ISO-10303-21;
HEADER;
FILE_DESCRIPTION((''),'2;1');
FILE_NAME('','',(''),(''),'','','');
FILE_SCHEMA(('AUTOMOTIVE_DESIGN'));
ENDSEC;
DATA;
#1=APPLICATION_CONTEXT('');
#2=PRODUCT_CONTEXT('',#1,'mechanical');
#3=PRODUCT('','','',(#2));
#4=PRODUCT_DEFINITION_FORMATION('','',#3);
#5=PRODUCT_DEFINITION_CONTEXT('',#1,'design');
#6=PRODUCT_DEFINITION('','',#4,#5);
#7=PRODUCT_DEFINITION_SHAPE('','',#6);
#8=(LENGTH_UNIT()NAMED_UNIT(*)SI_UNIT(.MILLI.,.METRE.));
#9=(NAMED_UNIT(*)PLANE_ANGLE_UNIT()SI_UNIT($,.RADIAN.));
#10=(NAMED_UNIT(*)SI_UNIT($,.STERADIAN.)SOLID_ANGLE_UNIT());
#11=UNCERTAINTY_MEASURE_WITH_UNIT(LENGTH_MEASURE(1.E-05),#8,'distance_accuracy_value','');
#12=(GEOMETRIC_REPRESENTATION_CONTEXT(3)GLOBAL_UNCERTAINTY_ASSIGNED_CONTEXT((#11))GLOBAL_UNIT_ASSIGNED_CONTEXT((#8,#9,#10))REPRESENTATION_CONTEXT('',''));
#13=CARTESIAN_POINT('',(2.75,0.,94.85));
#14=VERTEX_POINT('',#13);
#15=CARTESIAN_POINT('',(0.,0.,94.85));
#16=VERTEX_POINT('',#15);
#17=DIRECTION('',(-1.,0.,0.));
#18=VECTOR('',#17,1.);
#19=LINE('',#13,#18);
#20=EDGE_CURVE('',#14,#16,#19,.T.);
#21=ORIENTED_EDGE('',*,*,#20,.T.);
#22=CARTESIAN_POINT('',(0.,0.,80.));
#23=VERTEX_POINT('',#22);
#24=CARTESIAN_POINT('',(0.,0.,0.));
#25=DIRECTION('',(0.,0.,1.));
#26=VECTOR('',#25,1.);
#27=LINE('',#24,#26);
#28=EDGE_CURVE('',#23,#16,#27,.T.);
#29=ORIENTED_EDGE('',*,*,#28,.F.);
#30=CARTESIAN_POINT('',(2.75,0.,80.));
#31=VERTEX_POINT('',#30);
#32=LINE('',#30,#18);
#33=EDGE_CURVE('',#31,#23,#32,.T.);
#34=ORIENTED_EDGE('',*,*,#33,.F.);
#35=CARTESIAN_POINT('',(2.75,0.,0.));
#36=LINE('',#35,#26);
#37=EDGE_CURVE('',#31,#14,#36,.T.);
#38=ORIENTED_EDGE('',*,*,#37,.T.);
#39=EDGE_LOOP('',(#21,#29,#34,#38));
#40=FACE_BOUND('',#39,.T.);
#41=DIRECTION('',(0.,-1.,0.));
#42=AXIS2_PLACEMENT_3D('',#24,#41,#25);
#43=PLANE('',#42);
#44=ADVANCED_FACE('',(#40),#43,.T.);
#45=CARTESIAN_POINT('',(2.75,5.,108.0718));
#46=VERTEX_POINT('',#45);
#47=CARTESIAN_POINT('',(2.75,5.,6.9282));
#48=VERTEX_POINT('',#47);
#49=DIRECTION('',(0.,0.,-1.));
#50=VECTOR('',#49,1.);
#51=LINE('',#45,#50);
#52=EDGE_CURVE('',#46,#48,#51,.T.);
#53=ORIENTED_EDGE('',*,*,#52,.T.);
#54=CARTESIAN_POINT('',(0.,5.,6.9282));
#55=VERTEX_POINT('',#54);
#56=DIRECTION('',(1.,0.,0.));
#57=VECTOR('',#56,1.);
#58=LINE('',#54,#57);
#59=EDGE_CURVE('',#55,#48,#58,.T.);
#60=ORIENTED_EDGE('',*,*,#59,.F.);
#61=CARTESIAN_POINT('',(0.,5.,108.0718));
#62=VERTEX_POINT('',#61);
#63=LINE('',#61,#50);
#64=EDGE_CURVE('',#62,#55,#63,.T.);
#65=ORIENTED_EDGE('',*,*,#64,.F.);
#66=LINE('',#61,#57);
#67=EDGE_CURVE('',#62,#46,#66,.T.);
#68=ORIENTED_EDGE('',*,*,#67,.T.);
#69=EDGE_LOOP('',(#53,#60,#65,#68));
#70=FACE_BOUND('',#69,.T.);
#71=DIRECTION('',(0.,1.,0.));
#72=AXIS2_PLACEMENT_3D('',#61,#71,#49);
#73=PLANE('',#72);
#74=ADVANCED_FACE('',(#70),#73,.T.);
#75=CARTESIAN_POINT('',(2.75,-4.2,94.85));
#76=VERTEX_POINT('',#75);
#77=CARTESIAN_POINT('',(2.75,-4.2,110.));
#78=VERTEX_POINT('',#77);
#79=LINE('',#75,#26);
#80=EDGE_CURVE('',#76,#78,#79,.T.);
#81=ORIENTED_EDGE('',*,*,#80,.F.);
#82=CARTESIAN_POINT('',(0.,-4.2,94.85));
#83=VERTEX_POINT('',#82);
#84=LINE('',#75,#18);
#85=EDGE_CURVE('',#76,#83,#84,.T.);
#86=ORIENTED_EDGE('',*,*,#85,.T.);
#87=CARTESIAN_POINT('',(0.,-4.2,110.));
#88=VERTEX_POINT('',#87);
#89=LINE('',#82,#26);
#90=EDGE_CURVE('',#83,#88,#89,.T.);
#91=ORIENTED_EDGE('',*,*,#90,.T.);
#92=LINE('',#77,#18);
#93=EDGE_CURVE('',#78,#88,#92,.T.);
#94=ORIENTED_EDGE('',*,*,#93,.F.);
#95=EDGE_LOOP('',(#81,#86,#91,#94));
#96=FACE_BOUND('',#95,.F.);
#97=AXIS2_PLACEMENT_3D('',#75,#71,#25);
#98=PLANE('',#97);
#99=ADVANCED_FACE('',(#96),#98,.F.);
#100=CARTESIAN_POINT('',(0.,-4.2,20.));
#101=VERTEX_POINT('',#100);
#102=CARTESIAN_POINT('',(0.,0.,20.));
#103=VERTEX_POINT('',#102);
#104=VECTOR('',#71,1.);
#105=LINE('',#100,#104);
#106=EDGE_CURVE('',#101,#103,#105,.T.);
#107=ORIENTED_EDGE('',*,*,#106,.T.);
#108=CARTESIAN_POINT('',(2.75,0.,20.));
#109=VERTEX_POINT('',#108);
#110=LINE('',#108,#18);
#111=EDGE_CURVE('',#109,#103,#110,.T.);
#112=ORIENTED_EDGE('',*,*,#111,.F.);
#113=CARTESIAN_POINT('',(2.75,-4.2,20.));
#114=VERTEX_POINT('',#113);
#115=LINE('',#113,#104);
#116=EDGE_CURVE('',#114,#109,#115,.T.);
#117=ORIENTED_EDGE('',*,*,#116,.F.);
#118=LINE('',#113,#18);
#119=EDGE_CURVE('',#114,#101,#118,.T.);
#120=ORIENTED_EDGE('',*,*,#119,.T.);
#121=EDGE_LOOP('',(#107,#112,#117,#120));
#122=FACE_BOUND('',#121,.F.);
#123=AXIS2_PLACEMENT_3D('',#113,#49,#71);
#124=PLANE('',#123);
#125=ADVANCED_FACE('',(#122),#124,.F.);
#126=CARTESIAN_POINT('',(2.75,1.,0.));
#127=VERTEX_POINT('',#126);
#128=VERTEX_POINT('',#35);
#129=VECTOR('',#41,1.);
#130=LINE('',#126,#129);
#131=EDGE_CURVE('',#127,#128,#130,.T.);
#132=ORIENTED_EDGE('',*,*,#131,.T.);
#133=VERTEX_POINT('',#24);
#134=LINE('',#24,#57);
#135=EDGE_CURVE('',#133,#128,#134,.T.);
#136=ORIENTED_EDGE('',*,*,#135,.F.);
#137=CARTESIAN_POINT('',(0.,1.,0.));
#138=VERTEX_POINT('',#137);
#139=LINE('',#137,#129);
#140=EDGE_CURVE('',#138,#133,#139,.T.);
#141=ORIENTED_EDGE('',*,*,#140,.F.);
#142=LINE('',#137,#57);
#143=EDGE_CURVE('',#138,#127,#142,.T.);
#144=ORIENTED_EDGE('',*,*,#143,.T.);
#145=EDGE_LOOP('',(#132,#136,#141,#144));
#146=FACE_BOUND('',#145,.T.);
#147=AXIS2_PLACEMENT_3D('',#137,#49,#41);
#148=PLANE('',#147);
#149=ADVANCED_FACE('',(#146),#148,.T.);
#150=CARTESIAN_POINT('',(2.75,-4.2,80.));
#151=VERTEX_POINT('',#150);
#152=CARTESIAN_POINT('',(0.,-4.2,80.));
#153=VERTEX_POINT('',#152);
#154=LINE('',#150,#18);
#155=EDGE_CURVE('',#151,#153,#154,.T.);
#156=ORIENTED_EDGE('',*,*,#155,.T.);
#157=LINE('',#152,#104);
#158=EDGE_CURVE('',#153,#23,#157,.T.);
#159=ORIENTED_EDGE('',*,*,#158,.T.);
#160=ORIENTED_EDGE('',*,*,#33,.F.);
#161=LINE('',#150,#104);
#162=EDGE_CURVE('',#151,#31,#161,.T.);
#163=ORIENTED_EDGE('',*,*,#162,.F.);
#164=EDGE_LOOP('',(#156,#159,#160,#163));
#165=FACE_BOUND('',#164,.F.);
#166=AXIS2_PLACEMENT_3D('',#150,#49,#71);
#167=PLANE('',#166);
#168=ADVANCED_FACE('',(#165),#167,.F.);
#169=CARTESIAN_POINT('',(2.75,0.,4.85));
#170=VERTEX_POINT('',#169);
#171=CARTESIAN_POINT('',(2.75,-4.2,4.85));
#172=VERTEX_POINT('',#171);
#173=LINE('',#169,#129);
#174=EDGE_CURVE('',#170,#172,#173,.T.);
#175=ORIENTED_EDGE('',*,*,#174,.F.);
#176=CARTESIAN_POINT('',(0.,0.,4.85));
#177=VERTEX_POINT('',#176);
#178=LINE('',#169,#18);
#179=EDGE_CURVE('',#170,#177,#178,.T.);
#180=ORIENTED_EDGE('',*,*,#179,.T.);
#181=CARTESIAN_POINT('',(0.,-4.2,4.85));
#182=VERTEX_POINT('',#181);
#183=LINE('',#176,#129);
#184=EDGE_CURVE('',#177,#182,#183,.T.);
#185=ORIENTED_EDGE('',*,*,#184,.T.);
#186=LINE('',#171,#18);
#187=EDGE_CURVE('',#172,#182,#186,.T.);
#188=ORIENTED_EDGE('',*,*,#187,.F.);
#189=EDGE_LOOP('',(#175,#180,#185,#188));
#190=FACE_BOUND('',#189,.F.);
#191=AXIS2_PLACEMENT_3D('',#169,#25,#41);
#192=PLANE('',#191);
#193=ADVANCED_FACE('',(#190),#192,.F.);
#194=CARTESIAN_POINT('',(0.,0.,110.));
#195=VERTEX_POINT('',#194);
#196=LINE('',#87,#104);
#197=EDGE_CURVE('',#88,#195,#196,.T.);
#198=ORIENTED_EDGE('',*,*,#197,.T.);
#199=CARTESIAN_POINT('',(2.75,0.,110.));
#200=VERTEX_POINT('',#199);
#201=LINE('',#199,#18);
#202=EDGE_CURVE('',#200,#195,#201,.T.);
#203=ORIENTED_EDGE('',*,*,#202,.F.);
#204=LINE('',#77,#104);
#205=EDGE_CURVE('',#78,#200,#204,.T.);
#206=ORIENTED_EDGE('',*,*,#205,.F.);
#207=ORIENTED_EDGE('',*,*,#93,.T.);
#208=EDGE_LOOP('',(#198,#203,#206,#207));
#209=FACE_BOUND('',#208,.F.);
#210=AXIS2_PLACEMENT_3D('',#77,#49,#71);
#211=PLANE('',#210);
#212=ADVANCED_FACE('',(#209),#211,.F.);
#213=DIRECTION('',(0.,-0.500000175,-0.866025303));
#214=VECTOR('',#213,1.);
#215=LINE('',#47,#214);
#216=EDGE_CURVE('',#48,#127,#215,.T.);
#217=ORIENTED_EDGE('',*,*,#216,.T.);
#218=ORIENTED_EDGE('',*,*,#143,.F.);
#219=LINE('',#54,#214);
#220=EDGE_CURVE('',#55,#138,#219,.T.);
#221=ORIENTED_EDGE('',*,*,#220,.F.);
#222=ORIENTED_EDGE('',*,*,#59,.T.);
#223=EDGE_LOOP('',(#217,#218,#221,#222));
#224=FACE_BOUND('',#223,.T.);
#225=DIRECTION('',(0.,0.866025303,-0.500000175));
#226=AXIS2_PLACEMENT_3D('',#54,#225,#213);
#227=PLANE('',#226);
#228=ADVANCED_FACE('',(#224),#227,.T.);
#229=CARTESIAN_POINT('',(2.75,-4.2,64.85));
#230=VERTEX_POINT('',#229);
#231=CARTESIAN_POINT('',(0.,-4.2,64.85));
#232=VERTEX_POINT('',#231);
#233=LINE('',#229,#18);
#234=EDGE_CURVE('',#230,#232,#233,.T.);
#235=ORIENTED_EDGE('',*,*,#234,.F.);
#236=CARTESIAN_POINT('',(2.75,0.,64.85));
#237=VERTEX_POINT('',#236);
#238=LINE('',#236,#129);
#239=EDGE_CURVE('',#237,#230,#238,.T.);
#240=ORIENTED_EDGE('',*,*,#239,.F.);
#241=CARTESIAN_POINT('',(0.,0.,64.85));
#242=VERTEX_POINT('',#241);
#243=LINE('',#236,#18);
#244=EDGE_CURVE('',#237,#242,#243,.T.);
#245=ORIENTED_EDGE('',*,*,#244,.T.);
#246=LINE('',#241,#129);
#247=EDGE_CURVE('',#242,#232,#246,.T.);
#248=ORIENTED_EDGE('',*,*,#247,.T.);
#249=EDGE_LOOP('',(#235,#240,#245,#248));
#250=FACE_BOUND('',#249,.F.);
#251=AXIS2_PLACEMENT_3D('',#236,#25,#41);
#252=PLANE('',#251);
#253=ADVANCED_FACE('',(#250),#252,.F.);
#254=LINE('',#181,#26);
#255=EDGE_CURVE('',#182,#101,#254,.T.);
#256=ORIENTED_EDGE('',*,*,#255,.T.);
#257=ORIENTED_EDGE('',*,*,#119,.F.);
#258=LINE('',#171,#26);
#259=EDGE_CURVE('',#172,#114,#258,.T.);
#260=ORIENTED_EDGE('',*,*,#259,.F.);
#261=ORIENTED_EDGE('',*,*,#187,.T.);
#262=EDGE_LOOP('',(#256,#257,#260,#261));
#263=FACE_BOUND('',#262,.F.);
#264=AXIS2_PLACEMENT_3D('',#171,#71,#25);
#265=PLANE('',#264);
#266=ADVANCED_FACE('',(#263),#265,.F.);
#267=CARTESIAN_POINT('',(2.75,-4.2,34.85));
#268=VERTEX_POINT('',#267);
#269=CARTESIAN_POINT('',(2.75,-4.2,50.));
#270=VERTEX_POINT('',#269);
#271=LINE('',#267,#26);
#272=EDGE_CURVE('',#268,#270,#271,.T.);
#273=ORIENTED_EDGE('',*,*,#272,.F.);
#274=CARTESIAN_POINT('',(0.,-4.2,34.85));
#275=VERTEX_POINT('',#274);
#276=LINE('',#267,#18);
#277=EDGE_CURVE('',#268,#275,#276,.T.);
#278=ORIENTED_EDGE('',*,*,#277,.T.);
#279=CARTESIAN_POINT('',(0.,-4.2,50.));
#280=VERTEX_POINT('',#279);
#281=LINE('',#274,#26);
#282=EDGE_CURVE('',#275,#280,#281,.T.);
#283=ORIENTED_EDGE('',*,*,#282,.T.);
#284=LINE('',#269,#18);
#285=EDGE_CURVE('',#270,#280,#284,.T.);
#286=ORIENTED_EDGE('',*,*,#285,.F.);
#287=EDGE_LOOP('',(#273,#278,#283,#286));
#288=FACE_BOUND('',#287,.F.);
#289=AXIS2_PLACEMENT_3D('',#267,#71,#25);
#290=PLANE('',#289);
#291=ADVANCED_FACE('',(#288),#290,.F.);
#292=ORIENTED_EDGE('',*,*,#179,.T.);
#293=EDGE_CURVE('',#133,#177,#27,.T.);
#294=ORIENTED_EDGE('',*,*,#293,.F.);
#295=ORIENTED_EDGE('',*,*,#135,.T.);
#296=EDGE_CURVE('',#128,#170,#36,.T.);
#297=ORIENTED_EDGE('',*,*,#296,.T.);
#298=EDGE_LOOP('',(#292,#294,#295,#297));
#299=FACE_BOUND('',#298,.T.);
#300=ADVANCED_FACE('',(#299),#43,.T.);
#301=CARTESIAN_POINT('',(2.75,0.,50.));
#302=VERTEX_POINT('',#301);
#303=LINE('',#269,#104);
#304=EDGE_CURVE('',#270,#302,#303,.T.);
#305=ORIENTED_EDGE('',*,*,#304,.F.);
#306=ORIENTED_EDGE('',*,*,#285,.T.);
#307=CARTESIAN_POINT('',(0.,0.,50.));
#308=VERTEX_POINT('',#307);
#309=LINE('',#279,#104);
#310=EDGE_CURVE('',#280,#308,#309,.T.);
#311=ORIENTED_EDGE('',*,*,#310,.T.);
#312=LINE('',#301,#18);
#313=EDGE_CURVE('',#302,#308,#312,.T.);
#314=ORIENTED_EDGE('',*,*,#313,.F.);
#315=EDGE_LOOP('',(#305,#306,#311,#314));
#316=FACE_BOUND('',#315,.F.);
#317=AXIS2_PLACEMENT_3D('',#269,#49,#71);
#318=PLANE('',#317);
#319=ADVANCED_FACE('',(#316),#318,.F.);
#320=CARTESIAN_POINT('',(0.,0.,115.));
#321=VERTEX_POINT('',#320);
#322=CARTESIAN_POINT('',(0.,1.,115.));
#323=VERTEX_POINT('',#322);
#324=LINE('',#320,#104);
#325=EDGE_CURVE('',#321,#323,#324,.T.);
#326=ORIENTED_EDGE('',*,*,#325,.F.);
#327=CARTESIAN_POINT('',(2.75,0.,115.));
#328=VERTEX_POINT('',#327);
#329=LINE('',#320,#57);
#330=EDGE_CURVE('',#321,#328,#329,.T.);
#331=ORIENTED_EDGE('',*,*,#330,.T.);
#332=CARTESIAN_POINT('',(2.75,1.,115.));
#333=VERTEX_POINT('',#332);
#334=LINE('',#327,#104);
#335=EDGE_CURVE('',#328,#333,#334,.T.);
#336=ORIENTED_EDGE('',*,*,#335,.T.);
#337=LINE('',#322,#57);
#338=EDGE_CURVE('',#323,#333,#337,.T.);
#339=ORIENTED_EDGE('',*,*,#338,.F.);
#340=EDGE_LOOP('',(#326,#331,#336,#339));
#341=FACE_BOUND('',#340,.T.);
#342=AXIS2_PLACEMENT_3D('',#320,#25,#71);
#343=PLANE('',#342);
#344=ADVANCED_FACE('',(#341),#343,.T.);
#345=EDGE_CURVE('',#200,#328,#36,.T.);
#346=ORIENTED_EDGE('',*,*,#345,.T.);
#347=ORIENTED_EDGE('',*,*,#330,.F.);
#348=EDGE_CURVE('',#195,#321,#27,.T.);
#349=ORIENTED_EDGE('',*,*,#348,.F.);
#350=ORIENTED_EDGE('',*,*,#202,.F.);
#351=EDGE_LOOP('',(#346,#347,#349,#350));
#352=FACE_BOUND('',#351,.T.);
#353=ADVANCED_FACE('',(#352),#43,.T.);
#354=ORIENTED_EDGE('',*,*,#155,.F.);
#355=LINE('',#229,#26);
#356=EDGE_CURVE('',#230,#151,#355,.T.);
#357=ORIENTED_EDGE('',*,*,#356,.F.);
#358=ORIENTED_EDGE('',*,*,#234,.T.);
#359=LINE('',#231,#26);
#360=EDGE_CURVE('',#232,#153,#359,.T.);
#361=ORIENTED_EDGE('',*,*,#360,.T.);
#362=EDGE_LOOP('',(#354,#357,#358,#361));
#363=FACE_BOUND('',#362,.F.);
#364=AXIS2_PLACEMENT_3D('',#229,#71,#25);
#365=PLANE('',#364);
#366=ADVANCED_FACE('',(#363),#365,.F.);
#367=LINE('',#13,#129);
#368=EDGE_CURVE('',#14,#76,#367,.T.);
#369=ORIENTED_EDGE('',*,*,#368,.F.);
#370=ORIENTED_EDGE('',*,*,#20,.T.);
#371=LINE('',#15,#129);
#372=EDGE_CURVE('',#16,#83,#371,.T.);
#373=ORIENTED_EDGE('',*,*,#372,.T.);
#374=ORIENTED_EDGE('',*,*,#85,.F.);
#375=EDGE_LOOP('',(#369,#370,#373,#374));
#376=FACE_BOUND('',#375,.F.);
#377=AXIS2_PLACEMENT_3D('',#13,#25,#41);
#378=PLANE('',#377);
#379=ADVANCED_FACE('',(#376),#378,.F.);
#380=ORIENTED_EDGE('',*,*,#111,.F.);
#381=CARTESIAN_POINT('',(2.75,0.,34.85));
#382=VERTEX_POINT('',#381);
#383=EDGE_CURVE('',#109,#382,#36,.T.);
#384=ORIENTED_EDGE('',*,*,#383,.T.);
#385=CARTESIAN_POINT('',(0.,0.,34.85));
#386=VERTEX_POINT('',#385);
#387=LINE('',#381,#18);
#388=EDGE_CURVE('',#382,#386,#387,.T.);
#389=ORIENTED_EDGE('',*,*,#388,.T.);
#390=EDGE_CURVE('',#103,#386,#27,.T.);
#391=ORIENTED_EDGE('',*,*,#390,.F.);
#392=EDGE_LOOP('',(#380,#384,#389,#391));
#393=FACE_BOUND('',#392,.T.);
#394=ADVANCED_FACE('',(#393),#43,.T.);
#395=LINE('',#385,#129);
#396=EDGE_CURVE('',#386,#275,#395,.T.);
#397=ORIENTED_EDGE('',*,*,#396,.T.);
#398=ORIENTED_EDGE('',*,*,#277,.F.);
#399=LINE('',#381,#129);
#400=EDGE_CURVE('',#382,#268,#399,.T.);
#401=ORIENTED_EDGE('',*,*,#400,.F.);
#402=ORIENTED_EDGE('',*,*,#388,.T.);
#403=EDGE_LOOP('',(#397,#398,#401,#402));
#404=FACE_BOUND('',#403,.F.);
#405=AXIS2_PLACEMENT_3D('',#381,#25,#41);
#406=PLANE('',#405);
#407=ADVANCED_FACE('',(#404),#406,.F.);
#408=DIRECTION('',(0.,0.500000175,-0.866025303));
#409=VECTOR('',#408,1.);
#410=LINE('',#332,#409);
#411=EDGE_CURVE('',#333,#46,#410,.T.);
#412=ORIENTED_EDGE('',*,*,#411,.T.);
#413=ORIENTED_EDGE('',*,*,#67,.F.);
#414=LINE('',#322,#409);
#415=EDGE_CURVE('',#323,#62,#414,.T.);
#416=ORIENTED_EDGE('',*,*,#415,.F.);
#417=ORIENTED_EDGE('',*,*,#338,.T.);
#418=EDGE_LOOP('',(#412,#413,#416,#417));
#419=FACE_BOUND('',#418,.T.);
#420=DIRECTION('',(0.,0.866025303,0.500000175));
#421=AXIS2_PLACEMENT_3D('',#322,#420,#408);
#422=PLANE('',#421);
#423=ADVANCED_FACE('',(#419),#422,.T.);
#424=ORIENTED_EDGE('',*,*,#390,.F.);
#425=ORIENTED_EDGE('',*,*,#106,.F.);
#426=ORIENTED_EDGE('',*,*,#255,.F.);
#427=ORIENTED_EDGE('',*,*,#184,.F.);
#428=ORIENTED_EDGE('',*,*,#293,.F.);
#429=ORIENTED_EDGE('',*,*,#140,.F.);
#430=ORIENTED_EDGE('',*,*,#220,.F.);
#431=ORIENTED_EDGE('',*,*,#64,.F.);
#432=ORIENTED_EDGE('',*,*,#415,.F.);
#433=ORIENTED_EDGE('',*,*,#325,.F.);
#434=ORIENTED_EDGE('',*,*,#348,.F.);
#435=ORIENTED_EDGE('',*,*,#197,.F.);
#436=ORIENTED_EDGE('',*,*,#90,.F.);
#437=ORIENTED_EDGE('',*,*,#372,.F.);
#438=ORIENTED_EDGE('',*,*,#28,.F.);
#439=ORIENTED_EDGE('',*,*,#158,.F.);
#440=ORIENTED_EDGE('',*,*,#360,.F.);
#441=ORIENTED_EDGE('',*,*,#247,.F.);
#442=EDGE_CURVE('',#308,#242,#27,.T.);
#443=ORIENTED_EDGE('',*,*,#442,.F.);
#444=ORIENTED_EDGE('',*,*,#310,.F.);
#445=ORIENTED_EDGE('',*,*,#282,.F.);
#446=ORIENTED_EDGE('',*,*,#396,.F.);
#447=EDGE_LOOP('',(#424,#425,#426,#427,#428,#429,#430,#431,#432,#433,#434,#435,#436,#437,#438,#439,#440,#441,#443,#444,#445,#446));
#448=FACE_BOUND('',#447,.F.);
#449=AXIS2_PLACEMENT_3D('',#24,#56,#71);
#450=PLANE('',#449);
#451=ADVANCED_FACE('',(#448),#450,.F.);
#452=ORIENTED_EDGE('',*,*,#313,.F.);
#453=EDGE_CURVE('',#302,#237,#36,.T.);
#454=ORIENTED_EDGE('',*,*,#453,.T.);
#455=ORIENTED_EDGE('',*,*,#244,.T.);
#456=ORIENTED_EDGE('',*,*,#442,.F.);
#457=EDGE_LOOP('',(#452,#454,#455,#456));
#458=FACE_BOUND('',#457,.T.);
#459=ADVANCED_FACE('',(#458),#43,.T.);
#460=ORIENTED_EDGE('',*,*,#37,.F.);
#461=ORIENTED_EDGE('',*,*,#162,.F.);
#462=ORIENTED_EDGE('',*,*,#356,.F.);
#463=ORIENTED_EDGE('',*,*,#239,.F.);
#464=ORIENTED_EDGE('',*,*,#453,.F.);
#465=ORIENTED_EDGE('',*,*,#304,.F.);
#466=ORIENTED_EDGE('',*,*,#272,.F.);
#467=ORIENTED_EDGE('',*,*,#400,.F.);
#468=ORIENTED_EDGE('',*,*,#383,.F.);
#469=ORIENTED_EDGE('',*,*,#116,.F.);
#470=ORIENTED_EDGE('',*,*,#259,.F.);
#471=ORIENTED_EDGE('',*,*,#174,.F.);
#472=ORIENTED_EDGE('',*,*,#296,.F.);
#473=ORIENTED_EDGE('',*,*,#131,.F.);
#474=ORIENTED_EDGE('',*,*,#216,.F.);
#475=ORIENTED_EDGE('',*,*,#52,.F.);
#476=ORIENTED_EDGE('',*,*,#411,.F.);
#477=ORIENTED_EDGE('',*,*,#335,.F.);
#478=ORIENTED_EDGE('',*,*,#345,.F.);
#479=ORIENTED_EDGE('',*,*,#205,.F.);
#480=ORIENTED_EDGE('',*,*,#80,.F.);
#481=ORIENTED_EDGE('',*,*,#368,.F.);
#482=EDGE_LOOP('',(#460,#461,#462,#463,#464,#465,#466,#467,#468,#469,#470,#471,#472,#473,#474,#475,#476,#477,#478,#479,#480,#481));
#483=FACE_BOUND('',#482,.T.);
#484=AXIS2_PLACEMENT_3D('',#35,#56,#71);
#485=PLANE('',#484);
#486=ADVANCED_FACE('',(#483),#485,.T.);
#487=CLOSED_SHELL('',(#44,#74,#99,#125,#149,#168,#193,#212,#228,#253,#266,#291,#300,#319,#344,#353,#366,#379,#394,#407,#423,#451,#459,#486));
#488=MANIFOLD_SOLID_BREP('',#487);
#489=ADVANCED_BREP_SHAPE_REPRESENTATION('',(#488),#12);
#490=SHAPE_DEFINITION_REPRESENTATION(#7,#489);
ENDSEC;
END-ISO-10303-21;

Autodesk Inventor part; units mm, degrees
ref_plane "YZ Plane" through (0, 0, 0) normal (1, 0, 0) x (0, 1, 0)
ref_plane "XZ Plane" through (0, 0, 0) normal (0, 1, 0) x (-1, 0, 0)
ref_plane "XY Plane" through (0, 0, 0) normal (0, 0, 1) x (1, 0, 0)
sketch "Sketch1" plane through (0, 0, 0) normal (1, 0, 0) x (0, 1, 0)
  line L0 (0, 0) -> (0, 115)
  line L1 (0, 115) -> (1, 115)
  line L2 (1, 115) -> (5, 108.0718)
  line L3 (5, 108.0718) -> (5, 6.9282)
  line L4 (5, 6.9282) -> (1, 0)
  line L5 (1, 0) -> (0, 0)
  line L6 (1, 115) -> (1, 0) construction
  dimension "d0" = 1
  dimension "d1" = 4
  dimension "d2" = 30
  dimension "d3" = 115
extrude "Extrusion1" add sketch "Sketch1" along normal blind 2.75
sketch "Sketch2" plane through (2.75, 0, 0) normal (1, 0, 0) x (0, 0, -1)
  line L0 (-115, 0) -> (0, 0) projected
  line L1 (-110, 0) -> (-94.85, 0)
  line L2 (-94.85, 0) -> (-94.85, -4.2)
  line L3 (-94.85, -4.2) -> (-110, -4.2)
  line L4 (-110, -4.2) -> (-110, 0)
  line L5 (-80, 0) -> (-64.85, 0)
  line L6 (-64.85, 0) -> (-64.85, -4.2)
  line L7 (-64.85, -4.2) -> (-80, -4.2)
  line L8 (-80, -4.2) -> (-80, 0)
  line L9 (-50, 0) -> (-34.85, 0)
  line L10 (-34.85, 0) -> (-34.85, -4.2)
  line L11 (-34.85, -4.2) -> (-50, -4.2)
  line L12 (-50, -4.2) -> (-50, 0)
  line L13 (-20, 0) -> (-4.85, 0)
  line L14 (-4.85, 0) -> (-4.85, -4.2)
  line L15 (-4.85, -4.2) -> (-20, -4.2)
  line L16 (-20, -4.2) -> (-20, 0)
  dimension "d6" = 15.15
  dimension "d7" = 15.15
  dimension "d8" = 15.15
  dimension "d9" = 15.15
  dimension "d10" = 4.2
  dimension "d11" = 5
  dimension "d12" = 30
  dimension "d13" = 30
  dimension "d14" = 30
extrude "Extrusion2" add sketch "Sketch2" against normal up to surface (2.75 mm away)
equation "\"d7\" = d6"
equation "\"d8\" = d6"
equation "\"d9\" = d6"
equation "\"d13\" = d12"
equation "\"d14\" = d12"
properties part number "TrayPanelH"
